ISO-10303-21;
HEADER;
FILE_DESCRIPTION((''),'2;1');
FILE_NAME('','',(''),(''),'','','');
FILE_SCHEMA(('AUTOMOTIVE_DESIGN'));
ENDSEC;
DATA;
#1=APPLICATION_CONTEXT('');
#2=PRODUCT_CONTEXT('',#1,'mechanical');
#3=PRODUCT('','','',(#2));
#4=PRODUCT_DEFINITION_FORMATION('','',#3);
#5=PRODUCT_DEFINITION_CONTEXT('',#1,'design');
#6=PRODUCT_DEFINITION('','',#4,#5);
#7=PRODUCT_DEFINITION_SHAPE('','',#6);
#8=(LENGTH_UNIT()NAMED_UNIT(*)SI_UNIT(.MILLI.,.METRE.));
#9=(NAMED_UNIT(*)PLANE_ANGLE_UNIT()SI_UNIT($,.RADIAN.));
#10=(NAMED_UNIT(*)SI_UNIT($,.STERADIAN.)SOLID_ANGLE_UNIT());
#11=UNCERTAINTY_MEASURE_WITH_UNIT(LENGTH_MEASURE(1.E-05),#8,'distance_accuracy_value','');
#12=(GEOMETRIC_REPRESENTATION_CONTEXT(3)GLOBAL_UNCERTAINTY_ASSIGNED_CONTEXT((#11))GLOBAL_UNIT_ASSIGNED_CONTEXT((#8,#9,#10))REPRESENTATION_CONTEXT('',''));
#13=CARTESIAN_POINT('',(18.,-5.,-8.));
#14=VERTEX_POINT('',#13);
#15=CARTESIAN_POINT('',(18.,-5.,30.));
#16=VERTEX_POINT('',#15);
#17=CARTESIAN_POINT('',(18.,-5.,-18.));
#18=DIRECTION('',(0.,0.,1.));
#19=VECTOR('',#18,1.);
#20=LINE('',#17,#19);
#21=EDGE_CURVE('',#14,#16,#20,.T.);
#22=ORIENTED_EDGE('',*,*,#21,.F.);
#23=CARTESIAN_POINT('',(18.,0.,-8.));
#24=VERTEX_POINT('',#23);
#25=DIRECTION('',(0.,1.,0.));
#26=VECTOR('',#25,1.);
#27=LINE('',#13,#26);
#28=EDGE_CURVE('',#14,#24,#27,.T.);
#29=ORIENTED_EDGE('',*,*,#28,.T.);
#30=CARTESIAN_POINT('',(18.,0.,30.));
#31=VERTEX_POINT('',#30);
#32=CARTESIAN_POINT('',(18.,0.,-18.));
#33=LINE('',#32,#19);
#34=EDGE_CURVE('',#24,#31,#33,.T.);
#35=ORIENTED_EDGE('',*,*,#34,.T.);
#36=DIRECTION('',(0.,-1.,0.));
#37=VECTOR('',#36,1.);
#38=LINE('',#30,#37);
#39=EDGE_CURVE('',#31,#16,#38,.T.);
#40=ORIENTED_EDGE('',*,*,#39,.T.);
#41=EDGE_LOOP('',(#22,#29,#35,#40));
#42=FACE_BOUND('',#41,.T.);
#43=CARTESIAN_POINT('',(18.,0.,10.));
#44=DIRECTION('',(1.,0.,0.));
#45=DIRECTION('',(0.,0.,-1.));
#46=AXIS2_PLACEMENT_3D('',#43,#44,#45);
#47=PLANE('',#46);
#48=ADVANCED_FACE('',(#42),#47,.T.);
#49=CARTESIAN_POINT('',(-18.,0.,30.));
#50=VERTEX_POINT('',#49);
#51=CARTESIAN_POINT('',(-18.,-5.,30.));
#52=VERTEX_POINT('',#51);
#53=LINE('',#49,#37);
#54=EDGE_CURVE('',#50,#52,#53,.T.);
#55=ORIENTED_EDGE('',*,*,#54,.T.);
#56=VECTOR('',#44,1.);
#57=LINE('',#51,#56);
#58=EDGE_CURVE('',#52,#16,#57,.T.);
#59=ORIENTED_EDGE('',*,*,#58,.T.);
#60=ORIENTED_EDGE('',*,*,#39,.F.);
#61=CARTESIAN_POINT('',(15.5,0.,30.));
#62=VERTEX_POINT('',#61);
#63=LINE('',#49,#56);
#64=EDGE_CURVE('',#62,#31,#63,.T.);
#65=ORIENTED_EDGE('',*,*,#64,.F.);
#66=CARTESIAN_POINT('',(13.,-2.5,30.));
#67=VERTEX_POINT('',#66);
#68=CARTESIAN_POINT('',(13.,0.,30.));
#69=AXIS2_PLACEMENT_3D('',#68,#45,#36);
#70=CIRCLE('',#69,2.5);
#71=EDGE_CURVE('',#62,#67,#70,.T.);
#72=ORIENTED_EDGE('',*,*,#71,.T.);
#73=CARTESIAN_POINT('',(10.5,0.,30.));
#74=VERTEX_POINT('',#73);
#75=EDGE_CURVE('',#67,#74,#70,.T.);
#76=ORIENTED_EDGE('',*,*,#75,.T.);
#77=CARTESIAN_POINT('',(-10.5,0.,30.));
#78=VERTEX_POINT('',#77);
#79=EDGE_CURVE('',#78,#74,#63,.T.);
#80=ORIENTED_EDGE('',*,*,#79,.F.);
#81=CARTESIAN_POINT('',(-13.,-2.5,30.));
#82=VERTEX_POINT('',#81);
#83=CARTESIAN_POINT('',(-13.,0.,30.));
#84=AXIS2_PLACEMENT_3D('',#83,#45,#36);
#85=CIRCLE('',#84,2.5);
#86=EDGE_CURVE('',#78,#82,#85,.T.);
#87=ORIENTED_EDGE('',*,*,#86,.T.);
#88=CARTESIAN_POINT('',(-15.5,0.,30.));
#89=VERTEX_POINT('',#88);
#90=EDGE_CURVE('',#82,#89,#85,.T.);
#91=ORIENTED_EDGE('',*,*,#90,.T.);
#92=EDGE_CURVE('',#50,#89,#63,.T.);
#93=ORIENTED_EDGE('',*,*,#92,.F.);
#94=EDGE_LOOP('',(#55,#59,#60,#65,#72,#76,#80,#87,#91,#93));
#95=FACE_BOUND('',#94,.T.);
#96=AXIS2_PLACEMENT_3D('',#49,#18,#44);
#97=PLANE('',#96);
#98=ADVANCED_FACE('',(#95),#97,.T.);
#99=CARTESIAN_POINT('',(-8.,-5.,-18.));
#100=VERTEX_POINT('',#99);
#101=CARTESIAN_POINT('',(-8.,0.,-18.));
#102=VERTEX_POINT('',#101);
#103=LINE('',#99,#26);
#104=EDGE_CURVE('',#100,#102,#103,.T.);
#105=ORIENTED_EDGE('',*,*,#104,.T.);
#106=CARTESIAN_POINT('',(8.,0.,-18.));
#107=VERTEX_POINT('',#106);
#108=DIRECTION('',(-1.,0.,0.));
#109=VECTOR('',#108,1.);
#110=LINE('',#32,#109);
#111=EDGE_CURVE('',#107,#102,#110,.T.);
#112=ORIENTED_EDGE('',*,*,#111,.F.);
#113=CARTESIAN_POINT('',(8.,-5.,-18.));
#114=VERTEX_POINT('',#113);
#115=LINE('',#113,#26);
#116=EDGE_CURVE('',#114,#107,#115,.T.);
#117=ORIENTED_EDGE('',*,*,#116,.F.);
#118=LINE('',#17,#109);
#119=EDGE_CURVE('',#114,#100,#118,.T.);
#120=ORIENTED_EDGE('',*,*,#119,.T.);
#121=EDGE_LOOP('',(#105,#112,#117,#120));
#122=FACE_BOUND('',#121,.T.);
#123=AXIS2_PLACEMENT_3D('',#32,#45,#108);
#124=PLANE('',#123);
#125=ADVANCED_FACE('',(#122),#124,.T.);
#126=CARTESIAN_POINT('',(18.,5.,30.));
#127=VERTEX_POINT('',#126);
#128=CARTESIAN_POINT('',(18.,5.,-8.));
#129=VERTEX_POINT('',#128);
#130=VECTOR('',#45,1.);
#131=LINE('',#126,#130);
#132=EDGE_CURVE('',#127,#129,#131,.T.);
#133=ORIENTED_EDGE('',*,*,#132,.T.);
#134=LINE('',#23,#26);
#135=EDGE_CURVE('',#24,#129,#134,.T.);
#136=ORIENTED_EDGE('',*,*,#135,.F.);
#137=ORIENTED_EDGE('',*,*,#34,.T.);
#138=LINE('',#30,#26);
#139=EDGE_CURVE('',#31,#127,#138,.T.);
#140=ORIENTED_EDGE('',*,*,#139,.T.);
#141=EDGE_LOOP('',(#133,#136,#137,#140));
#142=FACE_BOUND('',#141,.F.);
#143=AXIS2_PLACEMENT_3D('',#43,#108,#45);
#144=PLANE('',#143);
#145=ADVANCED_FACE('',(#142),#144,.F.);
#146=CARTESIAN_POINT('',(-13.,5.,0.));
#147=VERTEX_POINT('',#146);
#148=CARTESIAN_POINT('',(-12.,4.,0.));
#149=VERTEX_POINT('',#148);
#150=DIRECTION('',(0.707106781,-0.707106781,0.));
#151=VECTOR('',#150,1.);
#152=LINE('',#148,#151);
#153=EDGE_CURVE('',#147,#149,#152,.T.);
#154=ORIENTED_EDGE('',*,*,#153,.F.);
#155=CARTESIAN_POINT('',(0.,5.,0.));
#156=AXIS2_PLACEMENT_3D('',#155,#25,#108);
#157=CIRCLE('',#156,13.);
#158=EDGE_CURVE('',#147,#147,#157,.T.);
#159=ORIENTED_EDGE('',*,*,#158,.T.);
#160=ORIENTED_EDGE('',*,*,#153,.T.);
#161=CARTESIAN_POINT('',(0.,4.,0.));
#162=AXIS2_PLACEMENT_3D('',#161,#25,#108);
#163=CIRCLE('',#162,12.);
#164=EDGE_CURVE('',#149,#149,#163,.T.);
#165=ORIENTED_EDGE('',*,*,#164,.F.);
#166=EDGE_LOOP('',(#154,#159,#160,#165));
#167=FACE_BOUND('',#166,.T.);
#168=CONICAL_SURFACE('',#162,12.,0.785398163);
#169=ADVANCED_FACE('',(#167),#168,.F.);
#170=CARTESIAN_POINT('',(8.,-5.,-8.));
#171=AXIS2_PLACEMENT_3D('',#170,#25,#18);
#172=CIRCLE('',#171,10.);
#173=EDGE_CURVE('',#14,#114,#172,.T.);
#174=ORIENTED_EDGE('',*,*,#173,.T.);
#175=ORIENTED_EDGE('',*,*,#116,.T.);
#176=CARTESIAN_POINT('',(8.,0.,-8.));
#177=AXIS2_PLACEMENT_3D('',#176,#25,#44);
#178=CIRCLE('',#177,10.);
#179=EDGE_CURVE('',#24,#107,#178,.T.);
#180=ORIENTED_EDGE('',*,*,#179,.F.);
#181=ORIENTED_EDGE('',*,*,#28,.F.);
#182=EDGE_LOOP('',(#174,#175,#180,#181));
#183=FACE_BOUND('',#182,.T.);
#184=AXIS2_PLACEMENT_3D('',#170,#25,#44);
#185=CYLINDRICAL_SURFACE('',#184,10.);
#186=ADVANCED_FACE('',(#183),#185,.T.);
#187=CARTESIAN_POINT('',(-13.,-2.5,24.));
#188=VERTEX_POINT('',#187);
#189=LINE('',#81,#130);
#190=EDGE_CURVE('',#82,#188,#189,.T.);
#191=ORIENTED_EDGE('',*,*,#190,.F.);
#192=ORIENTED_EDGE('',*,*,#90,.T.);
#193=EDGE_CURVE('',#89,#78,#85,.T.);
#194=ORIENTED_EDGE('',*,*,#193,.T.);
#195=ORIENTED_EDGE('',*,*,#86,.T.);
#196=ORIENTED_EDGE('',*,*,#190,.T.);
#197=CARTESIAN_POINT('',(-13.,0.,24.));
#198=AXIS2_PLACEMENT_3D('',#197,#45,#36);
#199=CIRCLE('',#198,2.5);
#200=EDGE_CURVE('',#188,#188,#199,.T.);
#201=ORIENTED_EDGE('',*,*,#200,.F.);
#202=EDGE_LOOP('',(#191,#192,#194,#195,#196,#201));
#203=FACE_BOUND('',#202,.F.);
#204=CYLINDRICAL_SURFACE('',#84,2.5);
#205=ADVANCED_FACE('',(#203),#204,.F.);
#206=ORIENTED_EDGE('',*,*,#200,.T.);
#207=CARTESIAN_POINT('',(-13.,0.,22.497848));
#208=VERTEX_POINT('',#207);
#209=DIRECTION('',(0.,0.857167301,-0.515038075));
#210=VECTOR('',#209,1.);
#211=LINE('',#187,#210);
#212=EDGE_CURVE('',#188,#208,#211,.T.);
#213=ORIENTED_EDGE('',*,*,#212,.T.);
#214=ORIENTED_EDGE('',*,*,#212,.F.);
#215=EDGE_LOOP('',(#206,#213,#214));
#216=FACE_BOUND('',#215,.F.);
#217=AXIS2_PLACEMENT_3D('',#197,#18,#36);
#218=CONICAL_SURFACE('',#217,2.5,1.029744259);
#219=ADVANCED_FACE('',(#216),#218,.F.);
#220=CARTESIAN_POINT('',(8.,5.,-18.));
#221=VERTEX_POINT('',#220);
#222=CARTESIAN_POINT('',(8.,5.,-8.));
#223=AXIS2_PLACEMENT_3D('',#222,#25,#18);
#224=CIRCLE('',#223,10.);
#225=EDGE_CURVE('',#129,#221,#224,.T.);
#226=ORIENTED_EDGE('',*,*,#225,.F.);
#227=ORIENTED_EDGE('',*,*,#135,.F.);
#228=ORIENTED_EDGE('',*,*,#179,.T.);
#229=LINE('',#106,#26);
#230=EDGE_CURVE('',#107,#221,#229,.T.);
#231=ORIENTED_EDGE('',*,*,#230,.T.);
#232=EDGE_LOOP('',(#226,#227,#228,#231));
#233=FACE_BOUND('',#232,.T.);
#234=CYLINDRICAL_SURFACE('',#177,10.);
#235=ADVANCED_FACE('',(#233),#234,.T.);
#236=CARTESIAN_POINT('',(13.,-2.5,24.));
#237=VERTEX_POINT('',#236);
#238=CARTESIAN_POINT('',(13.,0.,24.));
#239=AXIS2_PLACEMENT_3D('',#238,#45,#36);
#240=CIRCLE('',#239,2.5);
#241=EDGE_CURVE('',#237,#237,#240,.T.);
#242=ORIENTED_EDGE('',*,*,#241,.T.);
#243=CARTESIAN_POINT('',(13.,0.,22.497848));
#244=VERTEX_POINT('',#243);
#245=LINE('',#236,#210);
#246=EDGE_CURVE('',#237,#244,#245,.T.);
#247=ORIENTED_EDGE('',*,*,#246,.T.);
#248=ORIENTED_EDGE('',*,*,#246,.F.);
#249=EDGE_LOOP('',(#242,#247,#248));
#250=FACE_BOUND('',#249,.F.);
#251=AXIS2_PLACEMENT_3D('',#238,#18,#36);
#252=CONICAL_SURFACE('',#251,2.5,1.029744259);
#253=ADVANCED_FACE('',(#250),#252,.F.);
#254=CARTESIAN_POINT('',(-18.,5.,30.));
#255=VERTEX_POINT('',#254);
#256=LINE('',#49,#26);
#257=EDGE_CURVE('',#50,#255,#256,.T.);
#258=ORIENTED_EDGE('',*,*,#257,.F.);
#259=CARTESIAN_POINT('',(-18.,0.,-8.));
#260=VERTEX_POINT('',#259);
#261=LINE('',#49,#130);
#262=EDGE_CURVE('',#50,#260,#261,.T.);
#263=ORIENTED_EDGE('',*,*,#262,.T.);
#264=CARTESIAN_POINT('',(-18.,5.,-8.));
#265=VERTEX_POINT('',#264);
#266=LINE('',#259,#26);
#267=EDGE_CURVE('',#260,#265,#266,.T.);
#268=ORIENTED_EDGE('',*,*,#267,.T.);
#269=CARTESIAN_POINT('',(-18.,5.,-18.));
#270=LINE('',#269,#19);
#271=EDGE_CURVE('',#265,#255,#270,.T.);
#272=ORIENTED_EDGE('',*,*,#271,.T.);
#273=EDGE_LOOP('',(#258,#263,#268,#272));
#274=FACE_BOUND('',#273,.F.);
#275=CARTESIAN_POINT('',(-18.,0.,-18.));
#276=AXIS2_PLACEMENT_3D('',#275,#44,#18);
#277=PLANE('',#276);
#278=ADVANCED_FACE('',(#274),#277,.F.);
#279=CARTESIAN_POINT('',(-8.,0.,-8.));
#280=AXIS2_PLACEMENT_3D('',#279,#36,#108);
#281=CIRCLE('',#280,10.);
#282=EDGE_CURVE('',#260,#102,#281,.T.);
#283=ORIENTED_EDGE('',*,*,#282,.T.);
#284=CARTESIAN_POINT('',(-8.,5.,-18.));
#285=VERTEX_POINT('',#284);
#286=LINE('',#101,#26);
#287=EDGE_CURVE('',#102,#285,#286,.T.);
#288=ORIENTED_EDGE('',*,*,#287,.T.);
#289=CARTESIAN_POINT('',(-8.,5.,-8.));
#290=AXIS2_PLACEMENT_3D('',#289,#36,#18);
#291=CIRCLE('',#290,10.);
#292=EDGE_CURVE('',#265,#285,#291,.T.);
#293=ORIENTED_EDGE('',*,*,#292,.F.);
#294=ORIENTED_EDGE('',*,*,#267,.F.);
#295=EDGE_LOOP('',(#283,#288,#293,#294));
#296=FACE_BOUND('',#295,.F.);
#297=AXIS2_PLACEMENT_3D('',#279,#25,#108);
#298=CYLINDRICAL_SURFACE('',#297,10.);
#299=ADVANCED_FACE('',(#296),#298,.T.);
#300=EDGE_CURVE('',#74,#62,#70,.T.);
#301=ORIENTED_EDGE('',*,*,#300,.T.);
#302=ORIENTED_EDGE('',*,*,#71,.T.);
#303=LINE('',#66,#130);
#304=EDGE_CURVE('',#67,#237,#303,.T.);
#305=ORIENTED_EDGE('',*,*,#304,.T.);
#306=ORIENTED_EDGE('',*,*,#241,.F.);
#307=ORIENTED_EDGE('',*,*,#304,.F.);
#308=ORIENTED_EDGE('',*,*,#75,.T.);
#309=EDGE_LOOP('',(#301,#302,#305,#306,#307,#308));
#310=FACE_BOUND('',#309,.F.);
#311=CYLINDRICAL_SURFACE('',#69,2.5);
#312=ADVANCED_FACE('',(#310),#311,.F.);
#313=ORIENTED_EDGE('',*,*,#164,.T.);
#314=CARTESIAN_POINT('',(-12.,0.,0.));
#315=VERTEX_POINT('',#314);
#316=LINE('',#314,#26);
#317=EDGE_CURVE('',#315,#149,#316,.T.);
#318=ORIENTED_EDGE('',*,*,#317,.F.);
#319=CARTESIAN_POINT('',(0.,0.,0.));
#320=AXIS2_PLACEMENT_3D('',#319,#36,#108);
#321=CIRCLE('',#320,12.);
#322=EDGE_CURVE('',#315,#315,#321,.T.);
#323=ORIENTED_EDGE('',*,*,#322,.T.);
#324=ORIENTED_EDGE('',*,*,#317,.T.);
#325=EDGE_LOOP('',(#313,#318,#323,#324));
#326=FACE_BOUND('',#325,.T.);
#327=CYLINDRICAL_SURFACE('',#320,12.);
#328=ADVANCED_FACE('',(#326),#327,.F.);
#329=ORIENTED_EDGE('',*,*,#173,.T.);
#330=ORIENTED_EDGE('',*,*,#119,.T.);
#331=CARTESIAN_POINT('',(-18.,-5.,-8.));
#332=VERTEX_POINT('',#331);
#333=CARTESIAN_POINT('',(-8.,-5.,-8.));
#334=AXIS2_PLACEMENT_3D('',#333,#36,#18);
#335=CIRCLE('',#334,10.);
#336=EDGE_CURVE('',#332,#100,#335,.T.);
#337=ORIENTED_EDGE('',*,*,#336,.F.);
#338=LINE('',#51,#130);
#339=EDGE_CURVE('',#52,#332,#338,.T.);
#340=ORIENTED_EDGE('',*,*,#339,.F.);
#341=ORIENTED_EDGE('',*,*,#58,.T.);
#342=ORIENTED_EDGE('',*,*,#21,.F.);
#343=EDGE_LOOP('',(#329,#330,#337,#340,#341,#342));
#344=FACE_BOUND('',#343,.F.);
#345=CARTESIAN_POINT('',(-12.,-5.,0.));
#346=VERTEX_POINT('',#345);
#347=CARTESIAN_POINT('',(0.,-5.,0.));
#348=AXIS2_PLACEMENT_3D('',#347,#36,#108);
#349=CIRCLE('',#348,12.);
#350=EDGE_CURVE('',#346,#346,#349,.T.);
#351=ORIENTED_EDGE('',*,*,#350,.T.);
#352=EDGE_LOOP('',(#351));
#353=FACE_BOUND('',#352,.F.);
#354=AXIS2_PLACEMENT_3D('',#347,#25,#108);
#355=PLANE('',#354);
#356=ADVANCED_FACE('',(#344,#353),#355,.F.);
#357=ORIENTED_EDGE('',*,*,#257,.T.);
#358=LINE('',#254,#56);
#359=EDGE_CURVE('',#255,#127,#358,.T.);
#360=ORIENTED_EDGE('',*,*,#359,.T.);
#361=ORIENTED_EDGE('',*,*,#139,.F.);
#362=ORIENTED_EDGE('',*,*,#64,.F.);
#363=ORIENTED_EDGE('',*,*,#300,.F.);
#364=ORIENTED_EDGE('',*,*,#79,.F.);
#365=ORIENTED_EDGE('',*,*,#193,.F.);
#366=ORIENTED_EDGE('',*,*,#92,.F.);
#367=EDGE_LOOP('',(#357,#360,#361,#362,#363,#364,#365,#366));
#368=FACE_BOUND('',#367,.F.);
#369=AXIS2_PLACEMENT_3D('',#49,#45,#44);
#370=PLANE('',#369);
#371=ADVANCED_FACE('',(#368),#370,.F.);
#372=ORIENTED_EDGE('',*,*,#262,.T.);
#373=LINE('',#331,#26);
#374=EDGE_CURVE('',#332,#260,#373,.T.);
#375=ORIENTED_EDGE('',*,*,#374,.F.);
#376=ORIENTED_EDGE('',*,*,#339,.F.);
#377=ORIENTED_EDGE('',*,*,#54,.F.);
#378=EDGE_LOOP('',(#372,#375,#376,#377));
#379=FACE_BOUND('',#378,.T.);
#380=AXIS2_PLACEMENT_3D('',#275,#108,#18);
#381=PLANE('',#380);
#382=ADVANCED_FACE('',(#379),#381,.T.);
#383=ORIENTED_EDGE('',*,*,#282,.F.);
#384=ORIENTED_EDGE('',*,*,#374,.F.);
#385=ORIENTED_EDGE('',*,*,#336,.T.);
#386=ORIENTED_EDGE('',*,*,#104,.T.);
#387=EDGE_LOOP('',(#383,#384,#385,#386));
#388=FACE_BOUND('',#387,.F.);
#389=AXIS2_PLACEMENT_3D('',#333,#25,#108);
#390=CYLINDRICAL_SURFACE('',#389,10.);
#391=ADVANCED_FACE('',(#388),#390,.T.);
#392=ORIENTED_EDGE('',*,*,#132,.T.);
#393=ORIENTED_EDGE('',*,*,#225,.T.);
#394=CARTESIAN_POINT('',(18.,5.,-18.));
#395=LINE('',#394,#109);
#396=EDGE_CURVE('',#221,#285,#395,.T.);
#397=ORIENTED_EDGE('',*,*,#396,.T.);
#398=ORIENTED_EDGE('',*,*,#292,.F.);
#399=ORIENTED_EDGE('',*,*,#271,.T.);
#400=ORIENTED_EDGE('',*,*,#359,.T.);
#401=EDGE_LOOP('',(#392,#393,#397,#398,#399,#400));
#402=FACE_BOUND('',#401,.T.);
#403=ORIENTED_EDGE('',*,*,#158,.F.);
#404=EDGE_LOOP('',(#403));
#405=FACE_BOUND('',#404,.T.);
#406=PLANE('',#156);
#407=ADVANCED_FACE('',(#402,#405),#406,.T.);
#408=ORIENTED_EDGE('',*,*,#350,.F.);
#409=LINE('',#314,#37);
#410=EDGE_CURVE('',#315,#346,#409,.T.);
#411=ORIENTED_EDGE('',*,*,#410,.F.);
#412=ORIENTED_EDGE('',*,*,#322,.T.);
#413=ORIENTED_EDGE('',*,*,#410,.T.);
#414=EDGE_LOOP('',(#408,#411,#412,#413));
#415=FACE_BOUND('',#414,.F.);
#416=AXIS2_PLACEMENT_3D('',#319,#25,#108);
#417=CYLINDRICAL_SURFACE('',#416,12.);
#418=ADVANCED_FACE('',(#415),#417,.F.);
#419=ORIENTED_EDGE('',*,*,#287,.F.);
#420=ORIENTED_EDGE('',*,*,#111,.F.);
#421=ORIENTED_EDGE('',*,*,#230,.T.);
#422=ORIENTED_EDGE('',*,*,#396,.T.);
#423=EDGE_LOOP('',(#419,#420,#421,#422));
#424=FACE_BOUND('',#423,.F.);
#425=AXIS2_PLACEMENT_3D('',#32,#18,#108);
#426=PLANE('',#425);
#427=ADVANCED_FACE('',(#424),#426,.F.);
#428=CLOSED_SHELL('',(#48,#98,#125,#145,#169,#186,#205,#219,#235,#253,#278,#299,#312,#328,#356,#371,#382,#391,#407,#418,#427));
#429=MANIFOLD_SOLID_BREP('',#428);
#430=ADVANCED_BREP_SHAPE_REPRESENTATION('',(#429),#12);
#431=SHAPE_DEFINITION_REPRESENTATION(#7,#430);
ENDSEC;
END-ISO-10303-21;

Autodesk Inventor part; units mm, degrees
ref_plane "YZ Plane" through (0, 0, 0) normal (1, 0, 0) x (0, 1, 0)
ref_plane "XZ Plane" through (0, 0, 0) normal (0, 1, 0) x (-1, 0, 0)
ref_plane "XY Plane" through (0, 0, 0) normal (0, 0, 1) x (1, 0, 0)
sketch "スケッチ1" plane through (0, 0, 0) normal (0, 1, 0) x (-1, 0, 0)
  circle A0 centre (0, 0) radius 12
  line L0 (18, 10) -> (-18, 10)
  line L1 (-18, 10) -> (-18, -18)
  line L2 (-18, -18) -> (18, -18)
  line L3 (18, -18) -> (18, 10)
  line L4 (18, 30) -> (-18, 30)
  line L5 (-18, 30) -> (-18, 10)
  line L6 (-18, 10) -> (18, 10)
  line L7 (18, 10) -> (18, 30)
  line L8 (18, 30) -> (-18, 10) construction
  line L9 (-18, 30) -> (18, 10) construction
  point P0 (0, 20)
  point P1 (0, 20)
  point P2 (20, 10)
  point P3 (-6.6332, 10)
  point P4 (6.6332, 10)
  dimension "d0" = 24
  dimension "d18" = 10
  dimension "d33" = 30
  dimension "d34" = 36
  dimension "d36" = 18
extrude "押し出し1" add sketch "スケッチ1" along normal mid plane 10 contours A0 L0 L3 L2 L1 | A0 L0 L5 L4 L7
sketch "スケッチ2" plane through (-38, 5, 30) normal (0, 0, 1) x (1, 0, 0)
  line L0 (20, -10) -> (20, 0) projected
  line L1 (56, -10) -> (20, -10) projected
  line L2 (56, 0) -> (56, -10) projected
  point P0 (38, -5)
  point P1 (25, -5)
  point P2 (51, -5)
  dimension "d37" = 5
  dimension "d38" = 5
  dimension "d39" = 5
hole "穴1" at (-13, 0, 30) at (13, 0, 30) direction (0, 0, -1) diameter 5 depth 6 tip angle 118
fillet "フィレット1" radius 10 4 edges at (18, 2.5, -18) (18, -2.5, -18) (-18, 2.5, -18) (-18, -2.5, -18)
chamfer "面取り1" distance 1 angle 45 2 edges at (5.6745, 5, -10.5735) (0, 5, 12)
properties part number "cable_holder" material "ABS プラスチック"
